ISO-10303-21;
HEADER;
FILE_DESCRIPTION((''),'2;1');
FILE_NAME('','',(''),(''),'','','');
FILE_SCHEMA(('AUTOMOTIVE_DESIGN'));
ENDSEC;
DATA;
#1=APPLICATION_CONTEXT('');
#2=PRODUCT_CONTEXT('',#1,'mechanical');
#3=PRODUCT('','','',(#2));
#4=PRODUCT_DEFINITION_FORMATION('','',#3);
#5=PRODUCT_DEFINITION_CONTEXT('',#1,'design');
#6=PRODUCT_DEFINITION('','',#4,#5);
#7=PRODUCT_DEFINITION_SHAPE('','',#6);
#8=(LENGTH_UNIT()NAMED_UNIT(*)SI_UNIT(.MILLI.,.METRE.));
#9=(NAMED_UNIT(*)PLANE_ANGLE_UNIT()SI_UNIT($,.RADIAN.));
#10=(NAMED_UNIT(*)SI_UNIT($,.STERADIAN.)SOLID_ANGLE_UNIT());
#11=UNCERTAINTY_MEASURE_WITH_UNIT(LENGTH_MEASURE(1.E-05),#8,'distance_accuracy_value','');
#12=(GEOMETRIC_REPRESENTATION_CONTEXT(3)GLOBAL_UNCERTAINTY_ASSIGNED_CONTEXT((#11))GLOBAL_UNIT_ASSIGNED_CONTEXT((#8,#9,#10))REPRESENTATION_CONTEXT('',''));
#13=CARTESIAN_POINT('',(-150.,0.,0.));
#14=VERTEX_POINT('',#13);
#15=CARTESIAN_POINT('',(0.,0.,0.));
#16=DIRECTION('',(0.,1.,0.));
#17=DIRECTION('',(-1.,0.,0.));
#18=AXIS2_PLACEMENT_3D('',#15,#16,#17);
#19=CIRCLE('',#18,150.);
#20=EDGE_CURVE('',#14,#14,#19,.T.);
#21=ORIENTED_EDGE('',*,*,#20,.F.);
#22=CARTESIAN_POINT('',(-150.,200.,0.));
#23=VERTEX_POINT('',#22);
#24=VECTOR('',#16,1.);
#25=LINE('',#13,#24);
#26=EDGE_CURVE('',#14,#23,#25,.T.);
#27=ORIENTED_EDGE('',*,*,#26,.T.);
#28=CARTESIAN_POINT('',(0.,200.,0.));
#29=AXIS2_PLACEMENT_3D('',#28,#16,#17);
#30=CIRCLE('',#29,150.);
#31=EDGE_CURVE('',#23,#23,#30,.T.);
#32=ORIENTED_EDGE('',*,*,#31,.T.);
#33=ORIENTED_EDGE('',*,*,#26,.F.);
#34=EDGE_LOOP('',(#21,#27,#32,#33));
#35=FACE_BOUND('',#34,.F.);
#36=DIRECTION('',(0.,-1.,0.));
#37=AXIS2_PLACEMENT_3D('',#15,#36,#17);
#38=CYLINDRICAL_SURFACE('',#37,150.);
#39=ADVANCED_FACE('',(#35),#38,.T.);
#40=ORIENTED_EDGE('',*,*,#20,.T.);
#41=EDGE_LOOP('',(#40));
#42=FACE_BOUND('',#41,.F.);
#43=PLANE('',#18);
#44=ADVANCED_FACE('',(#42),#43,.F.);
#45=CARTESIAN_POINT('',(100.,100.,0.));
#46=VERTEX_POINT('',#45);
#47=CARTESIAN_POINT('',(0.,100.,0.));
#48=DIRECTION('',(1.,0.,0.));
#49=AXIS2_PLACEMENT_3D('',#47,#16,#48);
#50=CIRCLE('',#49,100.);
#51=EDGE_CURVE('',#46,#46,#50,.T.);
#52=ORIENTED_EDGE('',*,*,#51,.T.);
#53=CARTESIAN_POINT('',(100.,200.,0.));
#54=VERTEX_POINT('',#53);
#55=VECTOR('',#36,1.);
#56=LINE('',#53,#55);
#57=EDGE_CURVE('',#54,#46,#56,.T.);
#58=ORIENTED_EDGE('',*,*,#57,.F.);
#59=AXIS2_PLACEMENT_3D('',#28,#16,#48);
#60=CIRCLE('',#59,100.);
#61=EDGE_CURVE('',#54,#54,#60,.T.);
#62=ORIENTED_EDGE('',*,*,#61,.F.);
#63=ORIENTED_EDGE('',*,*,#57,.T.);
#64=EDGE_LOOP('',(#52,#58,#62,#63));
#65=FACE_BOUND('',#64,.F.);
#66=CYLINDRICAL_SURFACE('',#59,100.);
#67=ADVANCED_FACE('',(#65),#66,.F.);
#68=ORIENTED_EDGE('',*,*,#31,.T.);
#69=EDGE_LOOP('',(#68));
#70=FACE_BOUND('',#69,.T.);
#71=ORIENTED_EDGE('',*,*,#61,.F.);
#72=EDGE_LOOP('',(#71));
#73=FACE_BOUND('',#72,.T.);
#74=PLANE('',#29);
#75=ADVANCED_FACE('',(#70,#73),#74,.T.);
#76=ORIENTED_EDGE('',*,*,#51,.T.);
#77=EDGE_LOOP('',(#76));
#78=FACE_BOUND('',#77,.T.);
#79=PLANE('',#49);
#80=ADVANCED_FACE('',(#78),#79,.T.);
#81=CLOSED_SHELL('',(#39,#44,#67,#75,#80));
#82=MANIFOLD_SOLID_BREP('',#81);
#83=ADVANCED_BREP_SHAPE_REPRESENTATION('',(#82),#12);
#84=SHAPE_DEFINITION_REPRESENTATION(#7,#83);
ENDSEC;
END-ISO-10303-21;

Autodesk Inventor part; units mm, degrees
sketch "Sketch1" plane through (0, 0, 0) normal (0, 1, 0) x (-1, 0, 0)
  circle A0 centre (0, 0) radius 150
  dimension "d0" = 300
extrude "Extrusion1" add sketch "Sketch1" along normal blind 200
sketch "Sketch2" plane through (0, 200, 0) normal (0, 1, 0) x (1, 0, 0)
  circle A0 centre (0, 0) radius 100
  dimension "d3" = 200
extrude "Extrusion2" cut sketch "Sketch2" against normal blind 100
properties part number "Z0" material "Steel, Alloy"
